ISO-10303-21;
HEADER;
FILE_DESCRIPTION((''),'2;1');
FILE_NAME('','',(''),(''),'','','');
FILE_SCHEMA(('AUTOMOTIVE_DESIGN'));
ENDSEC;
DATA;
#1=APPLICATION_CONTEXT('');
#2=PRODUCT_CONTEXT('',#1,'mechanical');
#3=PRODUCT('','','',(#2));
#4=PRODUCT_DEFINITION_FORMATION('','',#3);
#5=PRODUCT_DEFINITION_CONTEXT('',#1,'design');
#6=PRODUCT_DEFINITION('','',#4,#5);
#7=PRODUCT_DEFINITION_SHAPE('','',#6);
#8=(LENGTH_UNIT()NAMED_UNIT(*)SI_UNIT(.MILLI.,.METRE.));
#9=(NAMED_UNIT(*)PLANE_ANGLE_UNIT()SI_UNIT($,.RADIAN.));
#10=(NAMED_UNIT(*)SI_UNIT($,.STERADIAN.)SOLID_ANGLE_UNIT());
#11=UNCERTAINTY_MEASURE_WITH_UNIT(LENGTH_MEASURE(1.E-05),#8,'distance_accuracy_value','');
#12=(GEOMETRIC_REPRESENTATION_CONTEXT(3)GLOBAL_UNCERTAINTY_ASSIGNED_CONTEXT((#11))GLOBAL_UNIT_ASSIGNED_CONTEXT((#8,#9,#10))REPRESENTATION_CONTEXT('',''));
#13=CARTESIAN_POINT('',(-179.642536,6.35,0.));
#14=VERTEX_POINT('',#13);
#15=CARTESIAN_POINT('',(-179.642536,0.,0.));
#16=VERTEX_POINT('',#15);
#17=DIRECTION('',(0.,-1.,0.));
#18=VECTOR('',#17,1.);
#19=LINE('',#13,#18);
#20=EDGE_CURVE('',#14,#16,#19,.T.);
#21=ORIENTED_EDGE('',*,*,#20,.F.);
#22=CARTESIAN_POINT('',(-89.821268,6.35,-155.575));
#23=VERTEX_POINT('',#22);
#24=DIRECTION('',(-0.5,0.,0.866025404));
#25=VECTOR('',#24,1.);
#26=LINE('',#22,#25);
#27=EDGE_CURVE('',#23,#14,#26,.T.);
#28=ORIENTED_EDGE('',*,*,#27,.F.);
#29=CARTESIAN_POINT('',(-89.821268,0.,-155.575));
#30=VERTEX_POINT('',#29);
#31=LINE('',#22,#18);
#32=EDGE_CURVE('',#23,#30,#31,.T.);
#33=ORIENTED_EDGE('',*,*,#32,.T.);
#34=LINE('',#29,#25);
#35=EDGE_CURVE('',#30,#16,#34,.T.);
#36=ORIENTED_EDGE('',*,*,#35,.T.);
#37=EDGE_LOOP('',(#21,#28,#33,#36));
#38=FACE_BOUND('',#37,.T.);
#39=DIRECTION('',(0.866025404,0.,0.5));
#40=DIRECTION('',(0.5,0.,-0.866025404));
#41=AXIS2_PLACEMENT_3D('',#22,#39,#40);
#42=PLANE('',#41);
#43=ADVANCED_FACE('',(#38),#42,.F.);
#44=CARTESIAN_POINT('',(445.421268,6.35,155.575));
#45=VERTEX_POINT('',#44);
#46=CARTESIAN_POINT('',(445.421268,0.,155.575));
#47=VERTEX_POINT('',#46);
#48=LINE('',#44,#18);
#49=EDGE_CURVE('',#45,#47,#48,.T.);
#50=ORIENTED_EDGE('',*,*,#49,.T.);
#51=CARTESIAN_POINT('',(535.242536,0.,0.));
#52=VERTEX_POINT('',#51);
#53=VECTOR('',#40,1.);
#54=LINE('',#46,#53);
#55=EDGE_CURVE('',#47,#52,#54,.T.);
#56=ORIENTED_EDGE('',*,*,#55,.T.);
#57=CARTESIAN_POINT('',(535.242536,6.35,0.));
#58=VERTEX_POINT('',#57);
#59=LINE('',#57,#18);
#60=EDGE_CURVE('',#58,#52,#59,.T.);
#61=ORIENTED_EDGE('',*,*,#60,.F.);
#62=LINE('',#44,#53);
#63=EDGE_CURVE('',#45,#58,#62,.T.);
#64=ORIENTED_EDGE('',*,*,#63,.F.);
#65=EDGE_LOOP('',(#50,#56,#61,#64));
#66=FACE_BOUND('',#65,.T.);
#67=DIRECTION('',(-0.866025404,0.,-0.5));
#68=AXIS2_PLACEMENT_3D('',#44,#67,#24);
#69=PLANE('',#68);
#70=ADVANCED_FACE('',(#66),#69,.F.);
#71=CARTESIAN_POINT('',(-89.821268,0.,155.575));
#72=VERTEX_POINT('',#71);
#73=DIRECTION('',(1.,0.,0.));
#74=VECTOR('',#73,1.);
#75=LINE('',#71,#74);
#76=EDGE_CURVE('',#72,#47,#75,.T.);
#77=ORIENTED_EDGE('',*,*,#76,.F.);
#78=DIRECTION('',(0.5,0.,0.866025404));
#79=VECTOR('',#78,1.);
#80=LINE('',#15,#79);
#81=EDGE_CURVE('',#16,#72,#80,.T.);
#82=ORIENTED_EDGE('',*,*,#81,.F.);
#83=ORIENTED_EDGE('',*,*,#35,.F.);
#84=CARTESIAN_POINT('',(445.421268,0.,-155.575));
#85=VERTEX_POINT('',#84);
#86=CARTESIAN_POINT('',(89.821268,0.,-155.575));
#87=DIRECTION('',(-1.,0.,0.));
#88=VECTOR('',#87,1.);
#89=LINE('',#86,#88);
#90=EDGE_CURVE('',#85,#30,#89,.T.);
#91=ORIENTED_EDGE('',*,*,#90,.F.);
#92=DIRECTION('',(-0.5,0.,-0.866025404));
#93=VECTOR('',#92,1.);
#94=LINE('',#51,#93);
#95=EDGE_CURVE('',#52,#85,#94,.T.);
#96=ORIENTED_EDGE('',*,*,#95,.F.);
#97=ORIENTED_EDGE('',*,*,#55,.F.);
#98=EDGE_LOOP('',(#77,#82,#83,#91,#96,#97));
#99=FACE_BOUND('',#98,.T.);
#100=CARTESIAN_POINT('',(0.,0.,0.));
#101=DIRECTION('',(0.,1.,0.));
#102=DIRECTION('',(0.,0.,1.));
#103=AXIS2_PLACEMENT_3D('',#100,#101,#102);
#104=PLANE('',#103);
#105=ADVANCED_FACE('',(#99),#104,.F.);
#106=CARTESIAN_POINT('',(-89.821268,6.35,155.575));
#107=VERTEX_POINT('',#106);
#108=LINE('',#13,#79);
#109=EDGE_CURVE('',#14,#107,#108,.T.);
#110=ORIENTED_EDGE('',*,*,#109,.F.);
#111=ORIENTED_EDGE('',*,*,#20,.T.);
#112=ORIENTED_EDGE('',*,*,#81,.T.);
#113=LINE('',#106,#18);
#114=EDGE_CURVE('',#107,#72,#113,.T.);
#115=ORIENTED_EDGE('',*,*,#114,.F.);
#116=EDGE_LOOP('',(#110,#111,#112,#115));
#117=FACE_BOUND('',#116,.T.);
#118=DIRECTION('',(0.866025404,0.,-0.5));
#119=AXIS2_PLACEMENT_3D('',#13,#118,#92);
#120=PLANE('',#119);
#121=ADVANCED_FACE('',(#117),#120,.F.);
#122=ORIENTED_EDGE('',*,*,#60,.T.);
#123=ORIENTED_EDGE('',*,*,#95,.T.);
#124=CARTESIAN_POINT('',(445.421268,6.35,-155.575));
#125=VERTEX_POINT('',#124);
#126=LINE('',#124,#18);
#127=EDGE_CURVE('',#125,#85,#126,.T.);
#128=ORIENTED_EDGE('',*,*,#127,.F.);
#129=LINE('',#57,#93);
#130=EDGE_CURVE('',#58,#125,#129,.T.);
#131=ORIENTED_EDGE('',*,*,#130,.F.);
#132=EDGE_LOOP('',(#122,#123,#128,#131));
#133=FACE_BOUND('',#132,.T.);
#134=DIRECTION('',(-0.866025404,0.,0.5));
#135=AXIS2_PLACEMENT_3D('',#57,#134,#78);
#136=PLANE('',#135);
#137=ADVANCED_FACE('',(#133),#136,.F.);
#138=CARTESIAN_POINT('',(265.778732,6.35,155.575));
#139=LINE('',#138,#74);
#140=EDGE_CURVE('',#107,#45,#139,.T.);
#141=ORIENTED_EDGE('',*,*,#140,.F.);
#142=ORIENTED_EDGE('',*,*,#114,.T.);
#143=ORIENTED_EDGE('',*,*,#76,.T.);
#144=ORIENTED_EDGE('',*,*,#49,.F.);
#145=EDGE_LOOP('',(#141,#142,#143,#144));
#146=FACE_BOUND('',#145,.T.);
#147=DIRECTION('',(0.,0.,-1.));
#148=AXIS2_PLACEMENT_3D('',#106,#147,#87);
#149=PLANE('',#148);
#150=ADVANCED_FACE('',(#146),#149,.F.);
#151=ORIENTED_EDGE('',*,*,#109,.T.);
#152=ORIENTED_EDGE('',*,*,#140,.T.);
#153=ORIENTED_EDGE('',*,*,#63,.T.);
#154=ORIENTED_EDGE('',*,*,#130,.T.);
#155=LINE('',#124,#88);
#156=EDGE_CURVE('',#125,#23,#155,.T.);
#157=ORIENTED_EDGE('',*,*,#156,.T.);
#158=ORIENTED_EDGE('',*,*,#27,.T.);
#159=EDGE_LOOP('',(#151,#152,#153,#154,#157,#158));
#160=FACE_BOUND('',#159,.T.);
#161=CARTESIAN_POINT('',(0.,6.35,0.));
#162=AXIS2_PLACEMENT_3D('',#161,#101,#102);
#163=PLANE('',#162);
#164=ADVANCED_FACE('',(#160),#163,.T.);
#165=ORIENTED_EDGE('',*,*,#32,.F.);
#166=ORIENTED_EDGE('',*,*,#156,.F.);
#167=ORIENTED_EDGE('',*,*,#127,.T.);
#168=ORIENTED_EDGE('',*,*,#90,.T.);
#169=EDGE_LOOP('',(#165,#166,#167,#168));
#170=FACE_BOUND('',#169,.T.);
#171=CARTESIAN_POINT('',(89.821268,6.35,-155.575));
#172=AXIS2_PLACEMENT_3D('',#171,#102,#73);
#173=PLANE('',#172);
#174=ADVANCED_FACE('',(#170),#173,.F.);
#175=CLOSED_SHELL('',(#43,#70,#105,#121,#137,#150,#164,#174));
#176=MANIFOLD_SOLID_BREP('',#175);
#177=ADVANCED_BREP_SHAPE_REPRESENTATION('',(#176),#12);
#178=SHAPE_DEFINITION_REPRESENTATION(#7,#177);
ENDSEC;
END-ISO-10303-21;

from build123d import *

# Parameters (mm, degrees)
BOSS_EXTRUDE1_DEPTH = 6.35


with BuildPart() as part:
    # Sketch1 → Boss-Extrude1 (new body)
    with BuildSketch(Plane(origin=(0, 0, 0), x_dir=(1, 0, 0), z_dir=(0, 1, 0))):
        Polygon((89.821268129, 155.575), (265.778731871, 155.575), (445.421268129, 155.575), (535.242536258, 0), (445.421268129, -155.575), (265.778731871, -155.575), (89.821268129, -155.575), (-89.821268129, -155.575), (-179.642536258, 0), (-89.821268129, 155.575), align=None)
    extrude(amount=BOSS_EXTRUDE1_DEPTH)


solid = part.part
